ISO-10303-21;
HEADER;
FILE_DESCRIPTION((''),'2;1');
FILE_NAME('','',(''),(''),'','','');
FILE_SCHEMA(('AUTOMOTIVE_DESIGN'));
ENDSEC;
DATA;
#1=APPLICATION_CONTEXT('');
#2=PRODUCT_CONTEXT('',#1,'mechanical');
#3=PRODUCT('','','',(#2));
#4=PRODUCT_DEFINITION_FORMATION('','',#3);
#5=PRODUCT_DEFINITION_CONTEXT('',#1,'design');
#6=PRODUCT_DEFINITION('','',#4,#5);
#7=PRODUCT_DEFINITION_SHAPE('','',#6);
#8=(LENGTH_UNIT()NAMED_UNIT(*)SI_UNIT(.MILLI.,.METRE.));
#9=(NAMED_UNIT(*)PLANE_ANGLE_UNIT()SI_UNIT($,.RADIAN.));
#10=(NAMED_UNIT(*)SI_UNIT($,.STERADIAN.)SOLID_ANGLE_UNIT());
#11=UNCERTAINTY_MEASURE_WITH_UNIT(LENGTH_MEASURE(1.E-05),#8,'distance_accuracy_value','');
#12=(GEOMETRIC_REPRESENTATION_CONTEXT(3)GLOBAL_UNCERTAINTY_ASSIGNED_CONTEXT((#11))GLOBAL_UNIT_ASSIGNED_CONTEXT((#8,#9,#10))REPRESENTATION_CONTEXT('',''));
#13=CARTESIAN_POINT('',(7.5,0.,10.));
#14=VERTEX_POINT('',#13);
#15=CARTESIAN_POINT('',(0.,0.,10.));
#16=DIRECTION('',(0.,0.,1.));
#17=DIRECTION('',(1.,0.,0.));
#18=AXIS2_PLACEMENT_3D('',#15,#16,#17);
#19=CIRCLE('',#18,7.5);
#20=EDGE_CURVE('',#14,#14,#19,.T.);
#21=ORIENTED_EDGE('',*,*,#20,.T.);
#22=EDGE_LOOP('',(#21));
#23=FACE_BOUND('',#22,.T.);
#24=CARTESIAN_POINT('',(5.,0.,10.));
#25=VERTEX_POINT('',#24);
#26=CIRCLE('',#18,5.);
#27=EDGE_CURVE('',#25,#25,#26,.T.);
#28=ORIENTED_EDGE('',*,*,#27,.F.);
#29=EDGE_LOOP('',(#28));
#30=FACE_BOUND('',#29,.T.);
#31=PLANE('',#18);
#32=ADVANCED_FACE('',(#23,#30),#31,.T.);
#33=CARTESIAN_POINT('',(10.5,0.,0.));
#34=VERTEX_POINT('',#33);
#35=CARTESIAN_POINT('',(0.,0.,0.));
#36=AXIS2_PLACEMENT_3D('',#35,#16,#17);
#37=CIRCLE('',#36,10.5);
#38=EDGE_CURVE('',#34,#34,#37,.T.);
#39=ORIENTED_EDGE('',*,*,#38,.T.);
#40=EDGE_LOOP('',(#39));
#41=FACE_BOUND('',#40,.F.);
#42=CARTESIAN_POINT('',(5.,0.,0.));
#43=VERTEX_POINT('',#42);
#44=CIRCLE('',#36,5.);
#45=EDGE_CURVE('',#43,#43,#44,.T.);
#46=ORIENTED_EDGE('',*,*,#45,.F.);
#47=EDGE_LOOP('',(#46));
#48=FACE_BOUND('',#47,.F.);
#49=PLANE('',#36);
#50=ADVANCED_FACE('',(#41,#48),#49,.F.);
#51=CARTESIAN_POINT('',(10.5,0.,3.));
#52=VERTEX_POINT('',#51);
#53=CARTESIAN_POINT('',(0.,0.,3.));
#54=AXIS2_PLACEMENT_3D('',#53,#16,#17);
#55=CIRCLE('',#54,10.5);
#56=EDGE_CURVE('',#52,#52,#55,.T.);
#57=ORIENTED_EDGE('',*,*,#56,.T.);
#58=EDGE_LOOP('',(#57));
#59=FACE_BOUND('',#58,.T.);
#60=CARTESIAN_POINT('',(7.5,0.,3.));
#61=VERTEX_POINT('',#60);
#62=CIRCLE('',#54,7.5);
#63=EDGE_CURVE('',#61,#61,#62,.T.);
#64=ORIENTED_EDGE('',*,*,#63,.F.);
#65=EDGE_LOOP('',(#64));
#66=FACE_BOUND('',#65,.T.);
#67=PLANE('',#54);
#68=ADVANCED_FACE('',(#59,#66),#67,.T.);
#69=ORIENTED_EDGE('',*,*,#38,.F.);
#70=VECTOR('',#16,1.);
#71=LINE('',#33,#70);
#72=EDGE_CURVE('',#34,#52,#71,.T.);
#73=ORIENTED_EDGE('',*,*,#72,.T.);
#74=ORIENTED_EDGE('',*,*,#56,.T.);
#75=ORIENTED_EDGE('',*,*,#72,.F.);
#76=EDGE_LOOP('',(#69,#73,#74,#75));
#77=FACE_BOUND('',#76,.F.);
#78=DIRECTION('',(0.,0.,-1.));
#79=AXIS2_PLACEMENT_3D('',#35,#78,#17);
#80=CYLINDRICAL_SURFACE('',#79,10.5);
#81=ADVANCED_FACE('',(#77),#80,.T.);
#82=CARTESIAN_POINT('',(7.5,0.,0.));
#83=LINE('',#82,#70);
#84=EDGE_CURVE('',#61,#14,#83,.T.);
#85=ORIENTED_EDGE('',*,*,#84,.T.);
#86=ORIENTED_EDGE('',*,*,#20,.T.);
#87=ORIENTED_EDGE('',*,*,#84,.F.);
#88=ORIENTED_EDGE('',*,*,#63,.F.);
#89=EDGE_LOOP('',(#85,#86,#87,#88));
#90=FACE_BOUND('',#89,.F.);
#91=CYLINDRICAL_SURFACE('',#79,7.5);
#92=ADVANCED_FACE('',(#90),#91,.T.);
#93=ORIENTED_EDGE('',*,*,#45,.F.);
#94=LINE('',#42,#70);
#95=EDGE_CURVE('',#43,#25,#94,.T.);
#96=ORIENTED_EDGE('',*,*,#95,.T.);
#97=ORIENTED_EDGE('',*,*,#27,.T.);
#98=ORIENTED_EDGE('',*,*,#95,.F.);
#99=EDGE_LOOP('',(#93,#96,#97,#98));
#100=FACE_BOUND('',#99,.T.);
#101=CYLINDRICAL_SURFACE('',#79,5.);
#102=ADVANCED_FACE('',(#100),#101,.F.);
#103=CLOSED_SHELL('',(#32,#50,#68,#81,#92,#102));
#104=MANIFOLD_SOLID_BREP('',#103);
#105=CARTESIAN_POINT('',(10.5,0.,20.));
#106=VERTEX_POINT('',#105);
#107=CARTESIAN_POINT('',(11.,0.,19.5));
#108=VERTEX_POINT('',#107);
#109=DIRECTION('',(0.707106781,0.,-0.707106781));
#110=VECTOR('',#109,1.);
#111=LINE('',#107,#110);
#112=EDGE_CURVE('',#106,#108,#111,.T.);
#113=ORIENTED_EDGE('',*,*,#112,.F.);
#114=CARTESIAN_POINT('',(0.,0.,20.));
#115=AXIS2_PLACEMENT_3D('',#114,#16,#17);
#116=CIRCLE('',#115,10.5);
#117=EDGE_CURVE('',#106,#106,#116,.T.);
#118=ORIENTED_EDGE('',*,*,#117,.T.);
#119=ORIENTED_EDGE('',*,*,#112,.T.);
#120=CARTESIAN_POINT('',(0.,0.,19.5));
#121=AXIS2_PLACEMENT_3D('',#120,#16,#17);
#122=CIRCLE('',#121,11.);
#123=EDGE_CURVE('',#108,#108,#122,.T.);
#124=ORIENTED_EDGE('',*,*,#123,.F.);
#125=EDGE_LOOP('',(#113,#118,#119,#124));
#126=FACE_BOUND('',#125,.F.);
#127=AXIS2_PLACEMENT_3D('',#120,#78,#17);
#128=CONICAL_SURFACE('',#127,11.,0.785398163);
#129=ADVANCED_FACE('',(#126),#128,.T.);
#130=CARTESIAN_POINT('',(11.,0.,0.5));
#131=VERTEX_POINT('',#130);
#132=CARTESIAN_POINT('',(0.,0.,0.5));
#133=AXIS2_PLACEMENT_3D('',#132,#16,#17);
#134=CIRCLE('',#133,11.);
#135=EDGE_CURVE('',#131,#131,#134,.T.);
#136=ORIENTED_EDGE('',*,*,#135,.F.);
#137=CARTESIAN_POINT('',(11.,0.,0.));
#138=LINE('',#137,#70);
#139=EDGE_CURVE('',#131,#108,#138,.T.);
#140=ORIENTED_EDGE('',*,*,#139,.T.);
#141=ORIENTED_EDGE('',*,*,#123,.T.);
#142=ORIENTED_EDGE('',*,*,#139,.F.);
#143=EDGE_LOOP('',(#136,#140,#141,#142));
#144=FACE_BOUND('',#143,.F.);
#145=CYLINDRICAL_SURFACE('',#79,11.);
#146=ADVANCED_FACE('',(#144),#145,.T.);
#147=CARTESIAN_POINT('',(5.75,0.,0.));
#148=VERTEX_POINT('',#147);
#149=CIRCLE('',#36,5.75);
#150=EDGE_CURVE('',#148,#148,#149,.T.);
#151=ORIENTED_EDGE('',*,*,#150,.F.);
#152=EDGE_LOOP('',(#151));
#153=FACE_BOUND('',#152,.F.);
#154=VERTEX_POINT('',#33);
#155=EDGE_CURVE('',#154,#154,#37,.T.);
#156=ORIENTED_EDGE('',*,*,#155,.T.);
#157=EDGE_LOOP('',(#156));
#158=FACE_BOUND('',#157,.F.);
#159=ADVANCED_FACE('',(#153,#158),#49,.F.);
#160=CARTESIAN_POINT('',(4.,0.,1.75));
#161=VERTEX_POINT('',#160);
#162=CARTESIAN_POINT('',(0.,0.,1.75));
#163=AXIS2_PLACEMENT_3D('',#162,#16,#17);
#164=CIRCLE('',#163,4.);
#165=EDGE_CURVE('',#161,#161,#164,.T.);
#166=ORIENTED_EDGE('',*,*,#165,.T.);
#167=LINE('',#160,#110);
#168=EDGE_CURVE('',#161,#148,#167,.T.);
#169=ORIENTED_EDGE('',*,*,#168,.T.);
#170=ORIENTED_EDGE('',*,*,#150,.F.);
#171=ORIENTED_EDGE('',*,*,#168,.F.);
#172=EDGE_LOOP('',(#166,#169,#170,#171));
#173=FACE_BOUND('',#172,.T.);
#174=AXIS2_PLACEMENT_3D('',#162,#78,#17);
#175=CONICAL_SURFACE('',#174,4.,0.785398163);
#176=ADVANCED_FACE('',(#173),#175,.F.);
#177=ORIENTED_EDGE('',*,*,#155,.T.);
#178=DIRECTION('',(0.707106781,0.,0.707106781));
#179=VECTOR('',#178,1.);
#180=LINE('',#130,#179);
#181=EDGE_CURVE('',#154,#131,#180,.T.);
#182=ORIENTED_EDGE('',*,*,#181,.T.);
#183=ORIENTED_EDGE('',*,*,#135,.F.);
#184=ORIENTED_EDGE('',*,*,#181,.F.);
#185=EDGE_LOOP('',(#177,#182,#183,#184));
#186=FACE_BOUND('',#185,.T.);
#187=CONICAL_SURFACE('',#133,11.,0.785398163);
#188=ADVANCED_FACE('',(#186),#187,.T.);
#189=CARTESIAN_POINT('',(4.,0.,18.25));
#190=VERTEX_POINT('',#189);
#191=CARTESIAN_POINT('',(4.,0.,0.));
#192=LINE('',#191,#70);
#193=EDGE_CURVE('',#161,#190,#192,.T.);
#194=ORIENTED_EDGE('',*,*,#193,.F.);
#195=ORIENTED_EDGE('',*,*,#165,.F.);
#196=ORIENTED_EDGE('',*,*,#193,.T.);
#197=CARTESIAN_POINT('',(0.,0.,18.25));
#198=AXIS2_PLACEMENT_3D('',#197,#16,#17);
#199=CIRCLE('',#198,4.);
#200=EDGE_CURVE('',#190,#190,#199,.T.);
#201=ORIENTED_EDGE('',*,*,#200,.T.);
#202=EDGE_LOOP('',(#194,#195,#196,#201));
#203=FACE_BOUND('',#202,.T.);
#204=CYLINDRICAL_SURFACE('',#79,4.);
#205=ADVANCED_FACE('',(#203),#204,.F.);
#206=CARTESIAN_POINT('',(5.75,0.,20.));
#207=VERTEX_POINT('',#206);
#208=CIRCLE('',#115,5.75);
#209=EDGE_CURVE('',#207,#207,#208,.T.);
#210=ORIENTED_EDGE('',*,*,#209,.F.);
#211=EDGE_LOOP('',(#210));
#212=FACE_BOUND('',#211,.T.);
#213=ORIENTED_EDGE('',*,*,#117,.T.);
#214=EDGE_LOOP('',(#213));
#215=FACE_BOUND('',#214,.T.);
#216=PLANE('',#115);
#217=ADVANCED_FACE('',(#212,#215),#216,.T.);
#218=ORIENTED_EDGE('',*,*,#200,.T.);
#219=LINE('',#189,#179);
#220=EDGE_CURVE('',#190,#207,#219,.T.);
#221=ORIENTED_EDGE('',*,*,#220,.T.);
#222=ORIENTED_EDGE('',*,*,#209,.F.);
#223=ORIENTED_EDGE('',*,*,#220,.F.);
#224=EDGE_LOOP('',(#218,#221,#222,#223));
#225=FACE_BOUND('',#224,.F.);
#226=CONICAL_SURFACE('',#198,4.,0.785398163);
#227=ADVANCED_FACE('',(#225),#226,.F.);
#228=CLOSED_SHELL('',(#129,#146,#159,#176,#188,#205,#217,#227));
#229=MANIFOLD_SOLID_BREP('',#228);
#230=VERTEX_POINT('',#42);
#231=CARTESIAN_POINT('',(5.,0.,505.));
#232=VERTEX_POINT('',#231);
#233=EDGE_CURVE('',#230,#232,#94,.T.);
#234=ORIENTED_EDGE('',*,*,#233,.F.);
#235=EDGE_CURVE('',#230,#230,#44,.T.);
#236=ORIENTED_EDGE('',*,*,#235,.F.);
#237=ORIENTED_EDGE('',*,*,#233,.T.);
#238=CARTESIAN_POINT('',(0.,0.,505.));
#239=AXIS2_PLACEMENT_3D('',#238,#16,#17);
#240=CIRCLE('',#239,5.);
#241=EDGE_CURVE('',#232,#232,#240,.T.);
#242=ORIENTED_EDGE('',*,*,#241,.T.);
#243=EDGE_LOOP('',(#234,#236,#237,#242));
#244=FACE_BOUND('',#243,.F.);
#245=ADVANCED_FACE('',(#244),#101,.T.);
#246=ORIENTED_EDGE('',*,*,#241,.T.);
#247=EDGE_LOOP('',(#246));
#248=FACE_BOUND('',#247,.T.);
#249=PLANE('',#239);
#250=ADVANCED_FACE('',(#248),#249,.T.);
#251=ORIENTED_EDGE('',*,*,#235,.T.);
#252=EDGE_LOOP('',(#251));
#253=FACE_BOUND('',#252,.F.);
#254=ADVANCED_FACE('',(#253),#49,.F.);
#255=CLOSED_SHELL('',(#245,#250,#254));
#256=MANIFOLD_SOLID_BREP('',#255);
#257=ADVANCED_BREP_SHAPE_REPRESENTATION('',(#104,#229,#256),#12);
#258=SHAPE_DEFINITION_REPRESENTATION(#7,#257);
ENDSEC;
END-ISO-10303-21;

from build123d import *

# Parameters (mm, degrees)
F0_R     = 7.5
F0_R_2   = 5
F1_DEPTH = 10
F0_R_3   = 10.5
F2_DEPTH = 3
F3_R     = 11
F3_R_2   = 4
F4_DEPTH = 20
F5_SIZE  = 1.75
F6_SIZE  = 0.5
F7_R     = 5
F8_DEPTH = 505


with BuildPart() as f1:
    # F0 (on Top) → F1 (new body)
    with BuildSketch(Plane.XY):
        Circle(F0_R)
        Circle(F0_R_2, mode=Mode.SUBTRACT)
    extrude(amount=F1_DEPTH)

    # F0 (on Top) → F2 (join)
    with BuildSketch(Plane.XY):
        Circle(F0_R_3)
        Circle(F0_R, mode=Mode.SUBTRACT)
    extrude(amount=F2_DEPTH)


with BuildPart() as f4:
    # F3 (on Top) → F4 (new body)
    with BuildSketch(Plane.XY):
        Circle(F3_R)
        Circle(F3_R_2, mode=Mode.SUBTRACT)
    extrude(amount=F4_DEPTH)

    # F5
    f5_edges = [f4.edges().sort_by_distance(p)[0] for p in [
        (-4, 0, 20),
        (-4, 0, 0),
    ]]
    chamfer(f5_edges, length=F5_SIZE)

    # F6
    f6_edges = [f4.edges().sort_by_distance(p)[0] for p in [
        (-11, 0, 20),
        (-11, 0, 0),
    ]]
    chamfer(f6_edges, length=F6_SIZE)


with BuildPart() as f8:
    # F7 (on Top) → F8 (new body)
    with BuildSketch(Plane.XY):
        Circle(F7_R)
    extrude(amount=F8_DEPTH)


solid = Compound([f1.part, f4.part, f8.part])
